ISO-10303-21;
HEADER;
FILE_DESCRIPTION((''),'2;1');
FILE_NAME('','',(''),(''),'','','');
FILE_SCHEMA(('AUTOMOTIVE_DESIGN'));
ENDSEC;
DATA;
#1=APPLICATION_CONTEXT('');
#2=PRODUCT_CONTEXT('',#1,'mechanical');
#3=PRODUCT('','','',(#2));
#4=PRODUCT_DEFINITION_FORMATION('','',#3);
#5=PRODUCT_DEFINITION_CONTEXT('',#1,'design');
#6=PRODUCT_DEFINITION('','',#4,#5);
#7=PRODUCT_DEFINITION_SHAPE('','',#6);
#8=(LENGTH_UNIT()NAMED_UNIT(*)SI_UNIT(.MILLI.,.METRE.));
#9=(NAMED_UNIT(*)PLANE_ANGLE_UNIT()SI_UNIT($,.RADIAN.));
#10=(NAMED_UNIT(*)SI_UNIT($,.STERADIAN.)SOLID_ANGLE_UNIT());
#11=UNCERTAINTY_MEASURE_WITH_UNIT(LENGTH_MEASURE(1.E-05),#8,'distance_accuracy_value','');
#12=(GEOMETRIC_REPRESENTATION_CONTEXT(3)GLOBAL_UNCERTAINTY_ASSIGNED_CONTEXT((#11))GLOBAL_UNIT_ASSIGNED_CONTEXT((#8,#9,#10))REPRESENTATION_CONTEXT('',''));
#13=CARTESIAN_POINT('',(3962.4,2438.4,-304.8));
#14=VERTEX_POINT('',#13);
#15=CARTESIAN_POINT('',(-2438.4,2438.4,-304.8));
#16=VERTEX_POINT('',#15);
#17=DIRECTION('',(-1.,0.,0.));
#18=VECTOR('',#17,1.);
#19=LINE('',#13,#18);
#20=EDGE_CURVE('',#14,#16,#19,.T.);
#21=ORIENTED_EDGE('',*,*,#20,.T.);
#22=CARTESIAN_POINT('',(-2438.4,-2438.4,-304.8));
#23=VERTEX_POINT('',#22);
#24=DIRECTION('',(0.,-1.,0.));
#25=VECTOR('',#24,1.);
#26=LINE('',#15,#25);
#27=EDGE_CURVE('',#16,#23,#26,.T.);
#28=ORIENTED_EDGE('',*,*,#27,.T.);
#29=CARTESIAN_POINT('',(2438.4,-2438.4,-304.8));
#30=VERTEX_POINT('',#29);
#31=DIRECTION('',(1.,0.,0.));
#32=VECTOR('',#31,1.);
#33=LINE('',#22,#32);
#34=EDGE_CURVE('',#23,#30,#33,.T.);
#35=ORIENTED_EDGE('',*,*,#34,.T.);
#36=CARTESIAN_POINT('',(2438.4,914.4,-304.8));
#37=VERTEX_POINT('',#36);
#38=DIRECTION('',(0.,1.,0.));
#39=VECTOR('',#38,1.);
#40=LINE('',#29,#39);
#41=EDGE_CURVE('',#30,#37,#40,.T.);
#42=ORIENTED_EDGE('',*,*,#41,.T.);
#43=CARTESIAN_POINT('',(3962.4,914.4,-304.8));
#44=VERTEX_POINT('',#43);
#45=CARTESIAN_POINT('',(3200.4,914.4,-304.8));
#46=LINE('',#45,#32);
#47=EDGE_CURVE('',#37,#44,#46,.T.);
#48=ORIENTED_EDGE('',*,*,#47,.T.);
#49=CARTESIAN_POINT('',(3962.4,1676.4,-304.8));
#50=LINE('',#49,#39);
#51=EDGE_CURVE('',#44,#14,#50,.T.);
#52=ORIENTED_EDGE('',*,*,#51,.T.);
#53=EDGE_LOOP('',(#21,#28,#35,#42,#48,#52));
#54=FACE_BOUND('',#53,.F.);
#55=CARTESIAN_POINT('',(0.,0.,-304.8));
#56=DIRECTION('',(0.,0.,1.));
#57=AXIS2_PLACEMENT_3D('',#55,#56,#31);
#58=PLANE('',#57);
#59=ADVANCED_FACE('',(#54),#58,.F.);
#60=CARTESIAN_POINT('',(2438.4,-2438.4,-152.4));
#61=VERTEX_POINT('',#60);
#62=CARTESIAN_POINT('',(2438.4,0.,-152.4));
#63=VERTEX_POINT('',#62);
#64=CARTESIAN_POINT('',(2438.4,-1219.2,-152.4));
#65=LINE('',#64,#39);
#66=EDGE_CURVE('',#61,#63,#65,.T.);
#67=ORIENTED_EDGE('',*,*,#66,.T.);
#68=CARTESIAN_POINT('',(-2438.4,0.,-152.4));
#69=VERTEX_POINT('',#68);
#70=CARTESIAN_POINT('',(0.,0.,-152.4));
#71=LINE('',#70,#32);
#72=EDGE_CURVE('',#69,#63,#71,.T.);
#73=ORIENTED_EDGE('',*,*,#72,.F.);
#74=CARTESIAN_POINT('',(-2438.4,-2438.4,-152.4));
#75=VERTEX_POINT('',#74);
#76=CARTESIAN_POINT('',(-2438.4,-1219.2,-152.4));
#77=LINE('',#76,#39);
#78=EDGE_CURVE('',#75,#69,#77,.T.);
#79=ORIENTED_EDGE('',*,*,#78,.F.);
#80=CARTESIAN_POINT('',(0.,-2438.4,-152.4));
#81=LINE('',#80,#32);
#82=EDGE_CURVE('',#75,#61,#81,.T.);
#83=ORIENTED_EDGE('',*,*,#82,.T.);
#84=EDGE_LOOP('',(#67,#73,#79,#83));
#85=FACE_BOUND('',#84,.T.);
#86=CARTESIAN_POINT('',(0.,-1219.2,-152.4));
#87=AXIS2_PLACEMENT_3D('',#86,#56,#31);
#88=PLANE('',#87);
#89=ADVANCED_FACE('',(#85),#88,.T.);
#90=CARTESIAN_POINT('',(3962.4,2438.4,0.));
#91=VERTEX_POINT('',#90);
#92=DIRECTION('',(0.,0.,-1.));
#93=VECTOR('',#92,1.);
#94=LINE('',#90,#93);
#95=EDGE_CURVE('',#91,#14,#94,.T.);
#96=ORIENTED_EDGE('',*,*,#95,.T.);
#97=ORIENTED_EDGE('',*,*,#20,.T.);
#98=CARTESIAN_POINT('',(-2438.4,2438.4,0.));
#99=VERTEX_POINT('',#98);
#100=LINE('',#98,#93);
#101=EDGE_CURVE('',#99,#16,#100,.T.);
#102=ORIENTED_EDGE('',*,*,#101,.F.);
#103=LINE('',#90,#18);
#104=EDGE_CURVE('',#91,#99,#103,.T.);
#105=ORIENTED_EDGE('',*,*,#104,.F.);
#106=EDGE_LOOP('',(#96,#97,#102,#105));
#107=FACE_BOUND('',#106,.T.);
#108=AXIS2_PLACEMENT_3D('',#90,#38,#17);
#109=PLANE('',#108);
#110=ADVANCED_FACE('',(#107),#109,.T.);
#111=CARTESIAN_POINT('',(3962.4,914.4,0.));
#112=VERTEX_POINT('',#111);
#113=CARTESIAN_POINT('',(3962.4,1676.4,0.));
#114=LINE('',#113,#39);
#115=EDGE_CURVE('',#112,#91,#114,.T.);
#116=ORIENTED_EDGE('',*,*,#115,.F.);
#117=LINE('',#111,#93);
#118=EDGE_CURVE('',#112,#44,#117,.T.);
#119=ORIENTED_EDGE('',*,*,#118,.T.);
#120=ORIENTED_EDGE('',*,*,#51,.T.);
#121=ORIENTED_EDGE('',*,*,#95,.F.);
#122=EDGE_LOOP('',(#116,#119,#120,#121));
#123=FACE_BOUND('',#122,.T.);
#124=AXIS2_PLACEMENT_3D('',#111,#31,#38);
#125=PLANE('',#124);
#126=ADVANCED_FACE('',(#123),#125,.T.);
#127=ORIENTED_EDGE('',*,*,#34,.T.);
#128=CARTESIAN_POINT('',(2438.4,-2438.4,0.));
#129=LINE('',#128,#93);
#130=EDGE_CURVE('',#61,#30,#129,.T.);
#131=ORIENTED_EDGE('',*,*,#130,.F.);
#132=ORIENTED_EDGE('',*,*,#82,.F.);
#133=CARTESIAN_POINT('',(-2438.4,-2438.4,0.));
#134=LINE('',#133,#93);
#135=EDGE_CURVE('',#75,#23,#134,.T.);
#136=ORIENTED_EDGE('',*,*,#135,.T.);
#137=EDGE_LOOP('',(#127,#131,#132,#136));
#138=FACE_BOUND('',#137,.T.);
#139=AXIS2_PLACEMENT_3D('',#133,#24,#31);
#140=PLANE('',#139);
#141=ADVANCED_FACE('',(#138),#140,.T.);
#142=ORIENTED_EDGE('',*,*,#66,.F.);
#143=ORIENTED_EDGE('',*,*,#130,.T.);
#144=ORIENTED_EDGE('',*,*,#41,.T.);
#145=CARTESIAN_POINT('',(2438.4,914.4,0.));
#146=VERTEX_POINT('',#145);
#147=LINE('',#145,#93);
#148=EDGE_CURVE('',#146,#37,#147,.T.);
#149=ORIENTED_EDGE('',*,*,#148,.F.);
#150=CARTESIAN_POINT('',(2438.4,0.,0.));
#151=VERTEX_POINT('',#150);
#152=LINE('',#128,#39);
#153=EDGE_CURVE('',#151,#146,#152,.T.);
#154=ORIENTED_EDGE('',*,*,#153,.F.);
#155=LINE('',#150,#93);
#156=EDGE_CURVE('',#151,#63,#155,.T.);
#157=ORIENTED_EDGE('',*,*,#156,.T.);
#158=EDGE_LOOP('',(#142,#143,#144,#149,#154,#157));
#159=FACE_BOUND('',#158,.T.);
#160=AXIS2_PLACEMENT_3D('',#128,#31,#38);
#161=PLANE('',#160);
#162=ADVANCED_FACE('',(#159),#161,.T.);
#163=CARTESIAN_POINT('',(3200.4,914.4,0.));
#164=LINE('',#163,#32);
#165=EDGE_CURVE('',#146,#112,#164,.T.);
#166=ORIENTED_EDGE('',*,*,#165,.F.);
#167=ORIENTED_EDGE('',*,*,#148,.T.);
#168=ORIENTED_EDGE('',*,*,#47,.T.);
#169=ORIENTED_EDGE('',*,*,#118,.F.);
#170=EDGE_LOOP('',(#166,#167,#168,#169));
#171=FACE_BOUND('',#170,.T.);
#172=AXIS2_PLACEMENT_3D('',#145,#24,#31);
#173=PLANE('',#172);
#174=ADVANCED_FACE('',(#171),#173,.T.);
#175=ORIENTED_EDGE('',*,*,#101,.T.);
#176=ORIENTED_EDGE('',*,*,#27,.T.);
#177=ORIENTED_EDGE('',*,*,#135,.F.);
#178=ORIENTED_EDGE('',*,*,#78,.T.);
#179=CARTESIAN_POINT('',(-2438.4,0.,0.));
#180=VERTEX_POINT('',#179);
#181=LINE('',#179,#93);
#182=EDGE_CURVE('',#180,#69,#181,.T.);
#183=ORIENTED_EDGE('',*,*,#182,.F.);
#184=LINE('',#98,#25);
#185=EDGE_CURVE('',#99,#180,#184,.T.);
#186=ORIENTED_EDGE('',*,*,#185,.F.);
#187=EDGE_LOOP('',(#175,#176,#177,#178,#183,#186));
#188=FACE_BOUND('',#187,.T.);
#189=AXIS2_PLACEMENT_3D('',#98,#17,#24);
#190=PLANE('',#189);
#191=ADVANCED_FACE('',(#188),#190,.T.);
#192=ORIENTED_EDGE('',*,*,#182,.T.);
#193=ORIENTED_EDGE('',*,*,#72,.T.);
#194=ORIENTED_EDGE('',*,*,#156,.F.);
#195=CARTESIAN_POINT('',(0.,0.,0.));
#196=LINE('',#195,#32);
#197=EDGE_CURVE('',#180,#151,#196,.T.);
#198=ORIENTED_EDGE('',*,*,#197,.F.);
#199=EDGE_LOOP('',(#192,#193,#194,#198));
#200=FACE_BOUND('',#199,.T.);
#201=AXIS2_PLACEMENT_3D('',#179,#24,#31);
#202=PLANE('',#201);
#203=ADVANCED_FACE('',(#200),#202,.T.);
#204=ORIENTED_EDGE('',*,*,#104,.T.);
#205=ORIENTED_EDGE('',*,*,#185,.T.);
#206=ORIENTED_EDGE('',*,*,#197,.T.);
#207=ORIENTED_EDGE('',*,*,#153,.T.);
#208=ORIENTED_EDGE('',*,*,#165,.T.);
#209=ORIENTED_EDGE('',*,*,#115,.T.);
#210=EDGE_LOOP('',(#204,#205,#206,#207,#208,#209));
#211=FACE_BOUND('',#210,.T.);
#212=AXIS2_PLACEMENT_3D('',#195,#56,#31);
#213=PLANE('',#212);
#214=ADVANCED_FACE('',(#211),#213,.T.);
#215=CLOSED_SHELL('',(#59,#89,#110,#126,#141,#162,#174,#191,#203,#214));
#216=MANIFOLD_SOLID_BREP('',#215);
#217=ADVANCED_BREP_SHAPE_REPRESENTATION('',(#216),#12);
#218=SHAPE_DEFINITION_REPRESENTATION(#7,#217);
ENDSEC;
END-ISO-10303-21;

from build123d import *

# Parameters (mm, degrees)
F0_W     = 1524
F0_H     = 1524
F1_DEPTH = 304.8
F2_W     = 4876.8
F2_H     = 2438.4
F3_DEPTH = 152.4


with BuildPart() as f1:
    # F0 (on Top) → F1 (new body)
    with BuildSketch(Plane.XY):
        Polygon((2438.4, 914.4), (2438.4, 2438.4), (-2438.4, 2438.4), (-2438.4, -2438.4), (2438.4, -2438.4), align=None)
        with Locations((3200.4, 1676.4)):
            Rectangle(F0_W, F0_H)
    extrude(amount=-F1_DEPTH)

    # F2 (on face) → F3 (cut)
    with BuildSketch(Plane.XY):
        with Locations((0, -1219.2)):
            Rectangle(F2_W, F2_H)
    extrude(amount=-F3_DEPTH, mode=Mode.SUBTRACT)


solid = f1.part
